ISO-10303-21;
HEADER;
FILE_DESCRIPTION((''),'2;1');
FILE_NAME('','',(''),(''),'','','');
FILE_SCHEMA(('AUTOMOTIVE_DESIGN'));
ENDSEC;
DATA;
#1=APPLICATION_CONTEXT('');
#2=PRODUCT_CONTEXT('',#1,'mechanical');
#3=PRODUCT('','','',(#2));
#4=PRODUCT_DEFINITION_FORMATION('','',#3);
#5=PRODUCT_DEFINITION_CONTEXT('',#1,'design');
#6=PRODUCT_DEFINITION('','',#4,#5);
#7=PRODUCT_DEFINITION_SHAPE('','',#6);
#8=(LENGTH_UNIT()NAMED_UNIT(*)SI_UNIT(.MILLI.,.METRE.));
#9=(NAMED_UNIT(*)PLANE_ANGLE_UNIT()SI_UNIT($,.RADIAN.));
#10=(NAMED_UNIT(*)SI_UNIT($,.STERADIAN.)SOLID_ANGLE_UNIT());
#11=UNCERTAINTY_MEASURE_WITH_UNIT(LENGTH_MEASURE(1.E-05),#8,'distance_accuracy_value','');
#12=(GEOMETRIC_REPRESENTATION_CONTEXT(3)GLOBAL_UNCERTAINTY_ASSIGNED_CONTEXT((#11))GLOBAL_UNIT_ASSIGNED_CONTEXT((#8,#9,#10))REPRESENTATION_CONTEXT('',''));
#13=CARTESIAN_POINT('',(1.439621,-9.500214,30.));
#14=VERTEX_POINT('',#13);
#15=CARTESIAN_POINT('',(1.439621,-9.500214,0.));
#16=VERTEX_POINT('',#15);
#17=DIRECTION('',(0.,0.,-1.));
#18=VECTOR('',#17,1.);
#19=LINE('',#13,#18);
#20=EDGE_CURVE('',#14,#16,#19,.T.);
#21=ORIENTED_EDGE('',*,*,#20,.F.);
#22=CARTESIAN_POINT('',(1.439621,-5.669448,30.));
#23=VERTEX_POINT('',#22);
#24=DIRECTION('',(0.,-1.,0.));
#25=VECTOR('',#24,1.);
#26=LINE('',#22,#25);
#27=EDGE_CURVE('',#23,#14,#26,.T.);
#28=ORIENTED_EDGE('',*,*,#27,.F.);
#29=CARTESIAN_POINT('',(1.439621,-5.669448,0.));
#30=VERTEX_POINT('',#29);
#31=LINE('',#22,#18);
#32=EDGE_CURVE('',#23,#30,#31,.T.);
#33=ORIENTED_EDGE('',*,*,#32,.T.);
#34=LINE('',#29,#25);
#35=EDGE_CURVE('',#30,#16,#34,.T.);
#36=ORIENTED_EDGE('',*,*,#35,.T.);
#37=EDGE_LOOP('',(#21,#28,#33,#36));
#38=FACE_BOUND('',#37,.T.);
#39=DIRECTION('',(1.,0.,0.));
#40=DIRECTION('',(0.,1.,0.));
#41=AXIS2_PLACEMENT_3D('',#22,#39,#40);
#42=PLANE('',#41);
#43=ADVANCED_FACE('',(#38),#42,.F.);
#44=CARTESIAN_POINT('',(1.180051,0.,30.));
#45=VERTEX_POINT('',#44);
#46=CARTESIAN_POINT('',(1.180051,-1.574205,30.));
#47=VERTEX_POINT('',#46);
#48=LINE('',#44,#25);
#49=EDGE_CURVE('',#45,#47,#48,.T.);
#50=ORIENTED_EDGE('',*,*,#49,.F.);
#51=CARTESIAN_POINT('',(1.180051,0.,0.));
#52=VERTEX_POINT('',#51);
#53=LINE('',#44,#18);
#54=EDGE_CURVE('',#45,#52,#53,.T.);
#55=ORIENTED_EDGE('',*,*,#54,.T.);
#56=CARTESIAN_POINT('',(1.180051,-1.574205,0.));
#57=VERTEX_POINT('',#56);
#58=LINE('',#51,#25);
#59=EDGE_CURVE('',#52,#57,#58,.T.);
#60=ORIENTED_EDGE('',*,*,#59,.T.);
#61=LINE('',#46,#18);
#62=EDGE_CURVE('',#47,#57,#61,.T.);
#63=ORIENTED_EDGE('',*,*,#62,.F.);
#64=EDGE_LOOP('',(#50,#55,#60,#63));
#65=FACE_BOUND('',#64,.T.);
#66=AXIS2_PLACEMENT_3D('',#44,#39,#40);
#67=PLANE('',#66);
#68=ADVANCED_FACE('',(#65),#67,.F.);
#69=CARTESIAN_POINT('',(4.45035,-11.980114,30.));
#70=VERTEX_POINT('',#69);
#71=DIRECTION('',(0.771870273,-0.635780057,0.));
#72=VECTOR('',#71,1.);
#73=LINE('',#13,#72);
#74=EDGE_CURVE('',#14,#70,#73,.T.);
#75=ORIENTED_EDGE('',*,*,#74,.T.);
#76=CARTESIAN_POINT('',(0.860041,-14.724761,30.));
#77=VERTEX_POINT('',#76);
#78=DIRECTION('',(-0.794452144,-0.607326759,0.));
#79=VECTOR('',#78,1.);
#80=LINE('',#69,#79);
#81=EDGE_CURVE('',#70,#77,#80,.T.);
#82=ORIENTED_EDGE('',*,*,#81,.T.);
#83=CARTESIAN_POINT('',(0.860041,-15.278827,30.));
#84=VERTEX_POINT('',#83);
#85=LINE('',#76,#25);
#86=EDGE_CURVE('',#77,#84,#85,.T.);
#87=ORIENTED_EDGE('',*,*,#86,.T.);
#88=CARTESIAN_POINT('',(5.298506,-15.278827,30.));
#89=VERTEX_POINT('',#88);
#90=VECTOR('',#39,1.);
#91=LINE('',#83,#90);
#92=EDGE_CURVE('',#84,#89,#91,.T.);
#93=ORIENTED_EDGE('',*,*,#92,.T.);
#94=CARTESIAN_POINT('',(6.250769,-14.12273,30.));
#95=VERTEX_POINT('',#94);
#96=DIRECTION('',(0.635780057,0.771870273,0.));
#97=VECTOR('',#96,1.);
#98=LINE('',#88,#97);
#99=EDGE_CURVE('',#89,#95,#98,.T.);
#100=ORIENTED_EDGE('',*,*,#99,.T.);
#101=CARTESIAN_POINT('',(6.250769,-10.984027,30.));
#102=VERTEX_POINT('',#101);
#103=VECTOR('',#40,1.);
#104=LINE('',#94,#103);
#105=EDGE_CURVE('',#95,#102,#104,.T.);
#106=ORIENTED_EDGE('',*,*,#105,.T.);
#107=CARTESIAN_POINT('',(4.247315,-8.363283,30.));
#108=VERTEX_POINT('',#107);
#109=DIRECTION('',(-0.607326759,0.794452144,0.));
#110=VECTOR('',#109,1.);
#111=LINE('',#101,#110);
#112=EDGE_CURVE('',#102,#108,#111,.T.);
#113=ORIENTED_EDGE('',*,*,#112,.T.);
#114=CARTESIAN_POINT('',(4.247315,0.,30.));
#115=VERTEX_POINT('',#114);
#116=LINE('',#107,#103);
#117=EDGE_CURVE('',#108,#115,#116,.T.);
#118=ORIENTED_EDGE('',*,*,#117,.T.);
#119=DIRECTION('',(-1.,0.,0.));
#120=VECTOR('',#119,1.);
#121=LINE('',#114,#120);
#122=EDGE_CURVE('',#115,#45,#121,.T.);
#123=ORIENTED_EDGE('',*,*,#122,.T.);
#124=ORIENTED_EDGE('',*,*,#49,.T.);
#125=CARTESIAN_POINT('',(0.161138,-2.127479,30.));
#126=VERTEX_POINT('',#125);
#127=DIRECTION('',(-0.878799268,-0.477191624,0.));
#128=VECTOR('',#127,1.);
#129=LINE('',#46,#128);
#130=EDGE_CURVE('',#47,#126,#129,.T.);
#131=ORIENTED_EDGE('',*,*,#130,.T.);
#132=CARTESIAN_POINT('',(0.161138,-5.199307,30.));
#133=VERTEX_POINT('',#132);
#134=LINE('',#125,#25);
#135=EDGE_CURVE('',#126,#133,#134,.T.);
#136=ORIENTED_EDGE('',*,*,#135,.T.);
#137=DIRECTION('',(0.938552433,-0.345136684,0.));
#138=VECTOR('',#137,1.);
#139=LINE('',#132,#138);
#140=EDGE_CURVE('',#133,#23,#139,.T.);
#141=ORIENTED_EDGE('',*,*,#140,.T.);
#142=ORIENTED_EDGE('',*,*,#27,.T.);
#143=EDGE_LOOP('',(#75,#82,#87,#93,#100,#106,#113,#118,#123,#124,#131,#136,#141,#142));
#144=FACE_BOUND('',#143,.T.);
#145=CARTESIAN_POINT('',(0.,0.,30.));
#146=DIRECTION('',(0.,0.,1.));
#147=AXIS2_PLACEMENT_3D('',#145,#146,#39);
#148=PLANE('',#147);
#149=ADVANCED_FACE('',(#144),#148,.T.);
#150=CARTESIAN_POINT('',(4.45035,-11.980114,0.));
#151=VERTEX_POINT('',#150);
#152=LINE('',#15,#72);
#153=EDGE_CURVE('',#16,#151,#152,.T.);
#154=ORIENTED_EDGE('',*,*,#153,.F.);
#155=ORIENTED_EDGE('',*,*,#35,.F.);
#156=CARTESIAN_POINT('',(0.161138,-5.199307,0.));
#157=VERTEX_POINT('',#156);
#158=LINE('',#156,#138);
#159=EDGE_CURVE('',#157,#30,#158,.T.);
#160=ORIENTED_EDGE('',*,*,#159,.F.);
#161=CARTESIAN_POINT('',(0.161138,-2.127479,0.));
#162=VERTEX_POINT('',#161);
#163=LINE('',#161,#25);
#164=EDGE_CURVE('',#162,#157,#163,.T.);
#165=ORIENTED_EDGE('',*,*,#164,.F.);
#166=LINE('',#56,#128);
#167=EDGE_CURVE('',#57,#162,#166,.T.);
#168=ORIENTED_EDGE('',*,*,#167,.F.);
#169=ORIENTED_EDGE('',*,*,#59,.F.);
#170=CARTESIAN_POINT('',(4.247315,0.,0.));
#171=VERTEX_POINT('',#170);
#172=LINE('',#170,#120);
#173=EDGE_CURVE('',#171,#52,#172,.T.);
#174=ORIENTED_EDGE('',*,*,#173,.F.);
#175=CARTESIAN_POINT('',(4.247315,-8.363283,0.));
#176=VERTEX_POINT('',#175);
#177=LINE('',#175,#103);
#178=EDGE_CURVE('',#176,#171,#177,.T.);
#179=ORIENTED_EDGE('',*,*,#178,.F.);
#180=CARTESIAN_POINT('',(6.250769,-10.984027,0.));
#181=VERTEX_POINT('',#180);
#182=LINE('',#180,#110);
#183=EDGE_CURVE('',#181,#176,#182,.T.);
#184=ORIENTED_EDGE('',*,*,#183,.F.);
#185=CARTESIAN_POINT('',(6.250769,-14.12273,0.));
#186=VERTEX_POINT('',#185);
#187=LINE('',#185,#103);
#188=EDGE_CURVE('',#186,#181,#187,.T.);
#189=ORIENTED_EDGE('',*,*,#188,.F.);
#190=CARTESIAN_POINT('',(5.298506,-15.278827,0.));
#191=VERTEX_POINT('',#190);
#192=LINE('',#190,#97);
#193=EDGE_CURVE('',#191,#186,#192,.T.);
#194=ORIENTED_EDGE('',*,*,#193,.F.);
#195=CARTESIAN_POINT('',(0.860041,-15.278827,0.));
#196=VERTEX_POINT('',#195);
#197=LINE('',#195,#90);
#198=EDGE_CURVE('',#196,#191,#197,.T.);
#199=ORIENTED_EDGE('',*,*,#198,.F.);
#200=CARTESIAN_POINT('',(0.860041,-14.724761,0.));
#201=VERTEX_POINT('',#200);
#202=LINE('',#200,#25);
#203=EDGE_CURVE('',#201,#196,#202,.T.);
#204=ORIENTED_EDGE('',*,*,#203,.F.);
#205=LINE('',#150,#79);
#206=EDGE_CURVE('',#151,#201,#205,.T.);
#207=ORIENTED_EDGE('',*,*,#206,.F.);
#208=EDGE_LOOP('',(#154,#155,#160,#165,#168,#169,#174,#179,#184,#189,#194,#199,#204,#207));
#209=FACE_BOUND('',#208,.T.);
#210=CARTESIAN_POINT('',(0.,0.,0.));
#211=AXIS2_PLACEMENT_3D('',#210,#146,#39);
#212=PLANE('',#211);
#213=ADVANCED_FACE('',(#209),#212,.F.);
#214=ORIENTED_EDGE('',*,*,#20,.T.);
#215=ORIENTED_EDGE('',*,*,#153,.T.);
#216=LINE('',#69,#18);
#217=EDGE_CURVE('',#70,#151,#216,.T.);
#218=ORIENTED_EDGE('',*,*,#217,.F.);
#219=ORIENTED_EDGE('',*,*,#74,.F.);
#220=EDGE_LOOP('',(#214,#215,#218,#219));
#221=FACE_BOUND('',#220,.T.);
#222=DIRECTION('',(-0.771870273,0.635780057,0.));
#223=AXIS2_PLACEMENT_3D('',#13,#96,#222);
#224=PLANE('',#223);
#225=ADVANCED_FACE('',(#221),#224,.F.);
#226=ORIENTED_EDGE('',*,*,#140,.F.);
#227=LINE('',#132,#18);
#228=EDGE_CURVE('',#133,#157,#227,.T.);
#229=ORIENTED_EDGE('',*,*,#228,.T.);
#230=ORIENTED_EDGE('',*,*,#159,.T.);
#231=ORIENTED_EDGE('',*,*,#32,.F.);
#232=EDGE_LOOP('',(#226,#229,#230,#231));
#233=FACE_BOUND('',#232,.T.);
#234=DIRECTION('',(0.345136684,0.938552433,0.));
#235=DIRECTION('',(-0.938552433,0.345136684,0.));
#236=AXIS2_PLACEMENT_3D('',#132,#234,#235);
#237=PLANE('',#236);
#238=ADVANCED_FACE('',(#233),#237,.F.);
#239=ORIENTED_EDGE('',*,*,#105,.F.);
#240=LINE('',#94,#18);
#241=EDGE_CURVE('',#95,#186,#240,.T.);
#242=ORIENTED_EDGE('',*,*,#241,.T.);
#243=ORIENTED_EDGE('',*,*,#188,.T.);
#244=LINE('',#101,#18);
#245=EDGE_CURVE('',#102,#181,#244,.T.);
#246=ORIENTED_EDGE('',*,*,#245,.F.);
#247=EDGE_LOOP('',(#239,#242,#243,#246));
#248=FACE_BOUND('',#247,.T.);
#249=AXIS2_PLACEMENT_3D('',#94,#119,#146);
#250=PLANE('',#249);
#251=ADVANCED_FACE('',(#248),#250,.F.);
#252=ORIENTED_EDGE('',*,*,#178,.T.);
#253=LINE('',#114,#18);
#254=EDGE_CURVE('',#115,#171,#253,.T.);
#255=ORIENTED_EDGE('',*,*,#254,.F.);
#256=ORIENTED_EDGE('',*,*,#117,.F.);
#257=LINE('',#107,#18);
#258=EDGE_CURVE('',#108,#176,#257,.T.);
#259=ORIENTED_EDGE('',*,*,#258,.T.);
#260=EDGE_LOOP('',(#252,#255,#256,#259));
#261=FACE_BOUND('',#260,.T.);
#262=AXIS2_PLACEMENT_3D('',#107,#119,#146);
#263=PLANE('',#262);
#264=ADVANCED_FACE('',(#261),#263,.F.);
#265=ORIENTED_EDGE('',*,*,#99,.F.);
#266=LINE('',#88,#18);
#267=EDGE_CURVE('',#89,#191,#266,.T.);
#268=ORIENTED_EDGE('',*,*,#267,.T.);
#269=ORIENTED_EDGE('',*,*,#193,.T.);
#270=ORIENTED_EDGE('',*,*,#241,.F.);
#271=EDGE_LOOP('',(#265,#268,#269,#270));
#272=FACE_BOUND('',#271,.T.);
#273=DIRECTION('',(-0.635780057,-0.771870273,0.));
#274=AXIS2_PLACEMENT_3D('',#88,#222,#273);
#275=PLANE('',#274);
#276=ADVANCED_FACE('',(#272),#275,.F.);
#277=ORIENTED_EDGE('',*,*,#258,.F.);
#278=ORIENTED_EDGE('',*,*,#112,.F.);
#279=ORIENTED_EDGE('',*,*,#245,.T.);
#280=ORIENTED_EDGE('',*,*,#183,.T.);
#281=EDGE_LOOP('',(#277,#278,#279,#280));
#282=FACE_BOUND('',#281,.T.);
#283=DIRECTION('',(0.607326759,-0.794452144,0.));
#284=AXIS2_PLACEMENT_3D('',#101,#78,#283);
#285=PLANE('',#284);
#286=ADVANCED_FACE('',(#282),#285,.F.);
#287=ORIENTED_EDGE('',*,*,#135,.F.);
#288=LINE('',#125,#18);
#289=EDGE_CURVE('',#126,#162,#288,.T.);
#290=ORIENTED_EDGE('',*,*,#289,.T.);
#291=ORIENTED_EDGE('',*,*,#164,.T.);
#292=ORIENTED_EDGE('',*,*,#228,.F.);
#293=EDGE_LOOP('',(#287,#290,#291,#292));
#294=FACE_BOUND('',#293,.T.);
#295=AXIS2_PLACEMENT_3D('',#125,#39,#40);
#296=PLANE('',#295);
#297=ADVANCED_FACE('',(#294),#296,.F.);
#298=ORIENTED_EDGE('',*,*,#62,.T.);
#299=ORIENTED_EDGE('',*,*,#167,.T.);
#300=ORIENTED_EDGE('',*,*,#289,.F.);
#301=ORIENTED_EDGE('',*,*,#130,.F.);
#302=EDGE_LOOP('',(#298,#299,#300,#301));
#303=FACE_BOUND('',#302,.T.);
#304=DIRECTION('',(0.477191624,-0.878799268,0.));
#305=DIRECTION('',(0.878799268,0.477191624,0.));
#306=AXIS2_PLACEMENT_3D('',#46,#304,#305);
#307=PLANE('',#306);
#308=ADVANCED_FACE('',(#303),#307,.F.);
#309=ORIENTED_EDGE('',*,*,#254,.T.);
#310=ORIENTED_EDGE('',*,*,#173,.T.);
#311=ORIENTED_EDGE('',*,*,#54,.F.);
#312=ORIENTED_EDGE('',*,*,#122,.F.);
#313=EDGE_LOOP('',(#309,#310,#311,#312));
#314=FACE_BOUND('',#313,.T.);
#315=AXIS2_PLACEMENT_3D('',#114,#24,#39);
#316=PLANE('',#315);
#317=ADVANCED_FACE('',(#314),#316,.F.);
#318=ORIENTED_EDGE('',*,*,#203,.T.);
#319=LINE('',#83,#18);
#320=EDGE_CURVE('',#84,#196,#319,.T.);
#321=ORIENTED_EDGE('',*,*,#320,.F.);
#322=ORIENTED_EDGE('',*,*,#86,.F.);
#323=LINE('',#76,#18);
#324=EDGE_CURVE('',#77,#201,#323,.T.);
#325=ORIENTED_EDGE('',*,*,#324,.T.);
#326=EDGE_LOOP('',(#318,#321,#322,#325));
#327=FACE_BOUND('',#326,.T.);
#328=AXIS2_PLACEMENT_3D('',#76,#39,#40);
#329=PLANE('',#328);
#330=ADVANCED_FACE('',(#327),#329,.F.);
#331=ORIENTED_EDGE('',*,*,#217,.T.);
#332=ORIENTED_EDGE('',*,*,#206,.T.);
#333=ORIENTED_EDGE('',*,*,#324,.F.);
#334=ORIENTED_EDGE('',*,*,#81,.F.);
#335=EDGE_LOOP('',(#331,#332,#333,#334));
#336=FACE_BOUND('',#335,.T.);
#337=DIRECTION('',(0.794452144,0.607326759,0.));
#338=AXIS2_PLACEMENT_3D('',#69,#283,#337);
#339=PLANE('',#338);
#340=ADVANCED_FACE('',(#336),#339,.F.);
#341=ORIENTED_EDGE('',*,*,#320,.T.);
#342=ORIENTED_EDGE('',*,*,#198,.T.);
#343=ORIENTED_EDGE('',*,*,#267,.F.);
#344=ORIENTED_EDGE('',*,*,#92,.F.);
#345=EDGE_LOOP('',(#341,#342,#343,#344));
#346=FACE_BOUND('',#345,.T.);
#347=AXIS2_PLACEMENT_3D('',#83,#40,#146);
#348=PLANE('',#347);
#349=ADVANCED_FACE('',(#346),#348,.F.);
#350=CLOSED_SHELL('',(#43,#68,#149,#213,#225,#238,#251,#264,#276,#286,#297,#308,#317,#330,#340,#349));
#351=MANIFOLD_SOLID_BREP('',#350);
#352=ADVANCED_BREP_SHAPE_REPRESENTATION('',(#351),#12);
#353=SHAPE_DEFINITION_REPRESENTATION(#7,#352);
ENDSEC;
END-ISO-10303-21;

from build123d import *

# Parameters (mm, degrees)
EXTRUDE_1_DEPTH = 30


with BuildPart() as part:
    # 스케치2 → 보스-돌출1 (new body)
    with BuildSketch(Plane.XY):
        Polygon((0.161138111, -2.12747919), (0.161138111, -5.199307457), (1.439620666, -5.669447658), (1.439620666, -9.50021389), (4.450349738, -11.980114421), (0.860040821, -14.724761402), (0.860040821, -15.278827125), (5.29850619, -15.278827125), (6.250768845, -14.122730409), (6.250768845, -10.984026922), (4.247315226, -8.363282816), (4.247315226, 0), (1.180051005, 0), (1.180051005, -1.574205289), align=None)
    extrude(amount=EXTRUDE_1_DEPTH)


solid = part.part
